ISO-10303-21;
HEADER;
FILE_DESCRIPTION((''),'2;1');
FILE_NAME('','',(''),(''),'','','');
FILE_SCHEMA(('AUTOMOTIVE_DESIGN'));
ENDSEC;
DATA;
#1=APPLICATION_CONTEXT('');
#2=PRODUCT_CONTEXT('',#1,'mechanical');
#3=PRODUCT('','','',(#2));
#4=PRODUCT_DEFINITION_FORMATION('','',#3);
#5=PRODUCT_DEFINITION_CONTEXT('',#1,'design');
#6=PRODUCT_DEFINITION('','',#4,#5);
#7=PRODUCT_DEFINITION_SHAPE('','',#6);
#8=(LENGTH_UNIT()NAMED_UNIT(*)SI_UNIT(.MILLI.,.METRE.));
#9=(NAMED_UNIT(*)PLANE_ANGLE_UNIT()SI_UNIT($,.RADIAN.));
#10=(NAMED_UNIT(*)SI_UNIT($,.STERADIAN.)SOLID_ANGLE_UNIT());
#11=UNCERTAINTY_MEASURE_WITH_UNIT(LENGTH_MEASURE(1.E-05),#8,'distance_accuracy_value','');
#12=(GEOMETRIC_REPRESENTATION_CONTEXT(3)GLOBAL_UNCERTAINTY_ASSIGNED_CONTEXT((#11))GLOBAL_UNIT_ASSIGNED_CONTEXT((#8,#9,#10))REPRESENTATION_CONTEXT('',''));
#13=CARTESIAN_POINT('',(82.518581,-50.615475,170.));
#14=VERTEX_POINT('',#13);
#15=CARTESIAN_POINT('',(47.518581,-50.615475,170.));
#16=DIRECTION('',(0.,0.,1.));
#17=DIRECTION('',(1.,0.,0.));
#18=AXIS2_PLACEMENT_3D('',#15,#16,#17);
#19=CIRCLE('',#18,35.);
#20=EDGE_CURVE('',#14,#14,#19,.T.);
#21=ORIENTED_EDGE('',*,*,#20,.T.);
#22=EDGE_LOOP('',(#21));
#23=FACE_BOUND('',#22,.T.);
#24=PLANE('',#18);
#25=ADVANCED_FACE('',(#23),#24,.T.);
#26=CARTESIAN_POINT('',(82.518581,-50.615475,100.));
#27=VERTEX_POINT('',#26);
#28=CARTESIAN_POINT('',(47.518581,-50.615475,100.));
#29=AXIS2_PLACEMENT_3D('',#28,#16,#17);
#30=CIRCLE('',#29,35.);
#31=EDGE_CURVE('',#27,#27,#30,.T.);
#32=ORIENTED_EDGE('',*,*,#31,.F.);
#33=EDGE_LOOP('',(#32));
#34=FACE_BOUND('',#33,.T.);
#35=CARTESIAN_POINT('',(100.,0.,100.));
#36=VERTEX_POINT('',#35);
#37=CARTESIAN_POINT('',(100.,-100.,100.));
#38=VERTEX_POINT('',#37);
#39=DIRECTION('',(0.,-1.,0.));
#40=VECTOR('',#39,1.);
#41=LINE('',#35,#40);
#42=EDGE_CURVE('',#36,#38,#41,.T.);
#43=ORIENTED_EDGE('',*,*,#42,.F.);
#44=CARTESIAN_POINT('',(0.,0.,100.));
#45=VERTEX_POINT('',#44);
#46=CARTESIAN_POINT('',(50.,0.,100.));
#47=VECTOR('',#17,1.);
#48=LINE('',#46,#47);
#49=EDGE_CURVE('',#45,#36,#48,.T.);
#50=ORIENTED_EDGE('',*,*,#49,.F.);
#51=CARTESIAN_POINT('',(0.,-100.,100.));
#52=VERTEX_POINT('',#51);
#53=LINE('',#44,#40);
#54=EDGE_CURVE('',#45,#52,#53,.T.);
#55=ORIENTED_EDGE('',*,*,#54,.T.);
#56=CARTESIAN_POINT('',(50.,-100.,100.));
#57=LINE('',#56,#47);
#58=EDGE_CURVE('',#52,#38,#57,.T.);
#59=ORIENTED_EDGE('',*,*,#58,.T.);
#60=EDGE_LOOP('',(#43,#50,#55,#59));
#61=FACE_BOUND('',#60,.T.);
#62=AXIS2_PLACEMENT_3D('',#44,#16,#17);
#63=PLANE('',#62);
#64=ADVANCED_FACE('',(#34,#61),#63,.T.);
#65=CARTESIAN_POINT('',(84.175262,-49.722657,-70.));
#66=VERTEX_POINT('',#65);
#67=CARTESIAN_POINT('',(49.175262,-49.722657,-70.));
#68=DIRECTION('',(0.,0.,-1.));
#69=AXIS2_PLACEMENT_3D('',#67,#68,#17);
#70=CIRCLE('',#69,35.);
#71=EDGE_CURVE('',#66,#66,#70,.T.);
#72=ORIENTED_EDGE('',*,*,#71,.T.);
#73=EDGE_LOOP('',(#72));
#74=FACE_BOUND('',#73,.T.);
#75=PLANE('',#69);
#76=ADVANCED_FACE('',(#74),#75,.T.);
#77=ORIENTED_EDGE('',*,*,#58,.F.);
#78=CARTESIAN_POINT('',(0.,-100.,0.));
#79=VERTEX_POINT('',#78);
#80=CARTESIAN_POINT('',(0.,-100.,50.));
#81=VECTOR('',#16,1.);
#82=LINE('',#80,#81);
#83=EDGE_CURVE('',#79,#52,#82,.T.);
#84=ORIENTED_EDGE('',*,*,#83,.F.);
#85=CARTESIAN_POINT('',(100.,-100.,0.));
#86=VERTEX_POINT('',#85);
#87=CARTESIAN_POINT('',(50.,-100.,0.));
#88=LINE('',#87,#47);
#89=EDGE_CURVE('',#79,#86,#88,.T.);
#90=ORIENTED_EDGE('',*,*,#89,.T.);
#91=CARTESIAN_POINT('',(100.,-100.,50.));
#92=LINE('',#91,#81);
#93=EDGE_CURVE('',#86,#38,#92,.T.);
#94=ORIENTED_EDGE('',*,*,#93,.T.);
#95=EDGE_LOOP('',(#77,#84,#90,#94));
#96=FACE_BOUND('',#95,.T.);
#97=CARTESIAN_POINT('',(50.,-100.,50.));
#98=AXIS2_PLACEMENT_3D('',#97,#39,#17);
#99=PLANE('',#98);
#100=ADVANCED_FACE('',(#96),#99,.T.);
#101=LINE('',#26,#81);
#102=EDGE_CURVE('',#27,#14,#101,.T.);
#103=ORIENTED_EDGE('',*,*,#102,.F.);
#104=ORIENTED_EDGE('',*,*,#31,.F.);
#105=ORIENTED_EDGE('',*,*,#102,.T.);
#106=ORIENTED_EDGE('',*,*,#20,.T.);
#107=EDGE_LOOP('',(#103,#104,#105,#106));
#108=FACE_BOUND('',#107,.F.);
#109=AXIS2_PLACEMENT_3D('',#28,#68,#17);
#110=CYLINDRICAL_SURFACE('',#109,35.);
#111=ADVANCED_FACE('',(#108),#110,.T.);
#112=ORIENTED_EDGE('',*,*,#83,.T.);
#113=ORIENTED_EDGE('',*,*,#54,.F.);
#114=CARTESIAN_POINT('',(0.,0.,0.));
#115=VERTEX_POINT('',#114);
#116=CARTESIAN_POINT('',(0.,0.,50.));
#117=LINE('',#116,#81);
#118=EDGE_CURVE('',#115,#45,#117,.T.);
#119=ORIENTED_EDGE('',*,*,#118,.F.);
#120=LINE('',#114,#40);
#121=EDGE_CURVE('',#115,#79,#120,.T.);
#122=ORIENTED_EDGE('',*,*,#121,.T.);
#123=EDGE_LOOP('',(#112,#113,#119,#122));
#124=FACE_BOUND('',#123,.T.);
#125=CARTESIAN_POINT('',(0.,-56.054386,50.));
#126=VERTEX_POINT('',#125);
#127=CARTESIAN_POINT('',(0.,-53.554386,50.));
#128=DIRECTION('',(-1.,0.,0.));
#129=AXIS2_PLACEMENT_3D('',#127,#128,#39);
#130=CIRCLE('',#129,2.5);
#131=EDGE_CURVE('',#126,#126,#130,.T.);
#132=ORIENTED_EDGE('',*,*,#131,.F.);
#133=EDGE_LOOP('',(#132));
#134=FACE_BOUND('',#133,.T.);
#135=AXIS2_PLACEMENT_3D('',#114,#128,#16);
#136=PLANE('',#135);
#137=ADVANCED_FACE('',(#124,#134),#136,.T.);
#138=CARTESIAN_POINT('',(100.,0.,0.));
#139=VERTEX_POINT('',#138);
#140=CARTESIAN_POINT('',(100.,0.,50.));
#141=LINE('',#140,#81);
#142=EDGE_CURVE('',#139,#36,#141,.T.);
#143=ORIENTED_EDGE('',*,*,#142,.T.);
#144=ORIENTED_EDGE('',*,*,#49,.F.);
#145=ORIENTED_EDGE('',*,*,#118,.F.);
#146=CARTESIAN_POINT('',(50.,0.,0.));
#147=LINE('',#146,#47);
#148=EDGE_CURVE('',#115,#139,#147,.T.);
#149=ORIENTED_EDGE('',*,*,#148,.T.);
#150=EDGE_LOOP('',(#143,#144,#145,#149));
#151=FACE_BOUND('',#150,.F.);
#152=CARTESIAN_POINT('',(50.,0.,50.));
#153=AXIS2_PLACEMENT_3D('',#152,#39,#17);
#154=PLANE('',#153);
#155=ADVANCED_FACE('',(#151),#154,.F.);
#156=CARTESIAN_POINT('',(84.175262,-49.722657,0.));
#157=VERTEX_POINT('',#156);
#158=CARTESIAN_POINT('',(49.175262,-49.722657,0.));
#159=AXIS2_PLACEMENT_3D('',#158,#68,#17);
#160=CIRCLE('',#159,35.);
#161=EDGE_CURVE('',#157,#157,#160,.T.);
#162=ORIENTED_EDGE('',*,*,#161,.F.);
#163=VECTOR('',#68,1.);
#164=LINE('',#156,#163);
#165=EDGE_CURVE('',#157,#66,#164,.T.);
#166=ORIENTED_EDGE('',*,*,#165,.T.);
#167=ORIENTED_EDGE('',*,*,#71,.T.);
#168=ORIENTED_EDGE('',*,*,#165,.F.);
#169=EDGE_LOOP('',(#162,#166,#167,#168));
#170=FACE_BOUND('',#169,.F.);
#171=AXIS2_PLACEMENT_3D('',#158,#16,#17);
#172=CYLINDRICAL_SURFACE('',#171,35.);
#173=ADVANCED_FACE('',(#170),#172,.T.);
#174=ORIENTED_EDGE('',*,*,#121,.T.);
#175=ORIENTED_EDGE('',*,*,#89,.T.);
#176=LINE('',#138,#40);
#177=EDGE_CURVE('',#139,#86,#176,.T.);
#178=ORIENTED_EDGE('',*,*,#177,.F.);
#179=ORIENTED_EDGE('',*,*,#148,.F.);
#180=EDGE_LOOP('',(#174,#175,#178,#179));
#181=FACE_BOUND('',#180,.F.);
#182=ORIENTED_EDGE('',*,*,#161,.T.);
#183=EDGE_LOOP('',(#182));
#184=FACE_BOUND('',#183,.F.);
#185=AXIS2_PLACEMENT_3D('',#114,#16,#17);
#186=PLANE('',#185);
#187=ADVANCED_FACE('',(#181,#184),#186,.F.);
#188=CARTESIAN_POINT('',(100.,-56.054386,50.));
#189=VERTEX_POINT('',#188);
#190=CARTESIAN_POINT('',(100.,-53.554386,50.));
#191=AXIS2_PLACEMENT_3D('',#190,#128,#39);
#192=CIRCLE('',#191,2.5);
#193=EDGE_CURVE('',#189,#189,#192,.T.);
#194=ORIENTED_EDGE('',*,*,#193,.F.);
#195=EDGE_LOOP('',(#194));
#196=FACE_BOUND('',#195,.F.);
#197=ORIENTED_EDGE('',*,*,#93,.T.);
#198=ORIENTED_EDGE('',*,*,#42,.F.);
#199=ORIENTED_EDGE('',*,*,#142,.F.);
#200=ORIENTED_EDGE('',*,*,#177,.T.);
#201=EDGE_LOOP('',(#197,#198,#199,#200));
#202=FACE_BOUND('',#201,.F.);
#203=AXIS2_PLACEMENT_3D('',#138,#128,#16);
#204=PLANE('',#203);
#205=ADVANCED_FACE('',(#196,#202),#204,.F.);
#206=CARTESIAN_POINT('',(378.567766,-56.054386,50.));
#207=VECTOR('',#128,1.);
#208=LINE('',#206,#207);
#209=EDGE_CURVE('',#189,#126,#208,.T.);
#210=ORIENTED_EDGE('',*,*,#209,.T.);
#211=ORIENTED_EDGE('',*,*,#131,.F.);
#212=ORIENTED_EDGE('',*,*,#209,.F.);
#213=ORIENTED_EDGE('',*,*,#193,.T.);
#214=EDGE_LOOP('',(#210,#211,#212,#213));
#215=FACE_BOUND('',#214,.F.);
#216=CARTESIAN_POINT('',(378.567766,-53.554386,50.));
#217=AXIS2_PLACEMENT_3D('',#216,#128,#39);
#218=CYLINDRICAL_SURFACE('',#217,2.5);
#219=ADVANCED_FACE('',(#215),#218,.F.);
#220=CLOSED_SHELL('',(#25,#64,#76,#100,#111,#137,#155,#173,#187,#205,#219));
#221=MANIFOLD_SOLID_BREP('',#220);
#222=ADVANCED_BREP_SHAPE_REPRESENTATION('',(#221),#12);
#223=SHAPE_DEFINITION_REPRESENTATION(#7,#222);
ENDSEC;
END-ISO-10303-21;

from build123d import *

# Parameters (mm, degrees)
F0_W     = 100
F0_H     = 100
F1_DEPTH = 100
F2_R     = 35
F3_DEPTH = 70
F4_R     = 35
F5_DEPTH = 70
F7_D     = 5


with BuildPart() as f1:
    # F0 (on Front) → F1 (new body)
    with BuildSketch(Plane.XZ):
        with Locations((50, 50)):
            Rectangle(F0_W, F0_H)
    extrude(amount=F1_DEPTH)

    # F2 (on face) → F3 (join)
    with BuildSketch(Plane.XY.offset(100)):
        with Locations((47.518581, -50.615475)):
            Circle(F2_R)
    extrude(amount=F3_DEPTH)

    # F4 (on face) → F5 (join)
    with BuildSketch(Plane(origin=(0, 0, 0), x_dir=(1, 0, 0), z_dir=(0, 0, -1))):
        with Locations((49.175262, 49.722657)):
            Circle(F4_R)
    extrude(amount=F5_DEPTH)

    # F7 (through all)
    with Locations(Plane.YZ.offset(100)):
        with Locations((-53.554386, 50)):
            Hole(F7_D / 2)


solid = f1.part
